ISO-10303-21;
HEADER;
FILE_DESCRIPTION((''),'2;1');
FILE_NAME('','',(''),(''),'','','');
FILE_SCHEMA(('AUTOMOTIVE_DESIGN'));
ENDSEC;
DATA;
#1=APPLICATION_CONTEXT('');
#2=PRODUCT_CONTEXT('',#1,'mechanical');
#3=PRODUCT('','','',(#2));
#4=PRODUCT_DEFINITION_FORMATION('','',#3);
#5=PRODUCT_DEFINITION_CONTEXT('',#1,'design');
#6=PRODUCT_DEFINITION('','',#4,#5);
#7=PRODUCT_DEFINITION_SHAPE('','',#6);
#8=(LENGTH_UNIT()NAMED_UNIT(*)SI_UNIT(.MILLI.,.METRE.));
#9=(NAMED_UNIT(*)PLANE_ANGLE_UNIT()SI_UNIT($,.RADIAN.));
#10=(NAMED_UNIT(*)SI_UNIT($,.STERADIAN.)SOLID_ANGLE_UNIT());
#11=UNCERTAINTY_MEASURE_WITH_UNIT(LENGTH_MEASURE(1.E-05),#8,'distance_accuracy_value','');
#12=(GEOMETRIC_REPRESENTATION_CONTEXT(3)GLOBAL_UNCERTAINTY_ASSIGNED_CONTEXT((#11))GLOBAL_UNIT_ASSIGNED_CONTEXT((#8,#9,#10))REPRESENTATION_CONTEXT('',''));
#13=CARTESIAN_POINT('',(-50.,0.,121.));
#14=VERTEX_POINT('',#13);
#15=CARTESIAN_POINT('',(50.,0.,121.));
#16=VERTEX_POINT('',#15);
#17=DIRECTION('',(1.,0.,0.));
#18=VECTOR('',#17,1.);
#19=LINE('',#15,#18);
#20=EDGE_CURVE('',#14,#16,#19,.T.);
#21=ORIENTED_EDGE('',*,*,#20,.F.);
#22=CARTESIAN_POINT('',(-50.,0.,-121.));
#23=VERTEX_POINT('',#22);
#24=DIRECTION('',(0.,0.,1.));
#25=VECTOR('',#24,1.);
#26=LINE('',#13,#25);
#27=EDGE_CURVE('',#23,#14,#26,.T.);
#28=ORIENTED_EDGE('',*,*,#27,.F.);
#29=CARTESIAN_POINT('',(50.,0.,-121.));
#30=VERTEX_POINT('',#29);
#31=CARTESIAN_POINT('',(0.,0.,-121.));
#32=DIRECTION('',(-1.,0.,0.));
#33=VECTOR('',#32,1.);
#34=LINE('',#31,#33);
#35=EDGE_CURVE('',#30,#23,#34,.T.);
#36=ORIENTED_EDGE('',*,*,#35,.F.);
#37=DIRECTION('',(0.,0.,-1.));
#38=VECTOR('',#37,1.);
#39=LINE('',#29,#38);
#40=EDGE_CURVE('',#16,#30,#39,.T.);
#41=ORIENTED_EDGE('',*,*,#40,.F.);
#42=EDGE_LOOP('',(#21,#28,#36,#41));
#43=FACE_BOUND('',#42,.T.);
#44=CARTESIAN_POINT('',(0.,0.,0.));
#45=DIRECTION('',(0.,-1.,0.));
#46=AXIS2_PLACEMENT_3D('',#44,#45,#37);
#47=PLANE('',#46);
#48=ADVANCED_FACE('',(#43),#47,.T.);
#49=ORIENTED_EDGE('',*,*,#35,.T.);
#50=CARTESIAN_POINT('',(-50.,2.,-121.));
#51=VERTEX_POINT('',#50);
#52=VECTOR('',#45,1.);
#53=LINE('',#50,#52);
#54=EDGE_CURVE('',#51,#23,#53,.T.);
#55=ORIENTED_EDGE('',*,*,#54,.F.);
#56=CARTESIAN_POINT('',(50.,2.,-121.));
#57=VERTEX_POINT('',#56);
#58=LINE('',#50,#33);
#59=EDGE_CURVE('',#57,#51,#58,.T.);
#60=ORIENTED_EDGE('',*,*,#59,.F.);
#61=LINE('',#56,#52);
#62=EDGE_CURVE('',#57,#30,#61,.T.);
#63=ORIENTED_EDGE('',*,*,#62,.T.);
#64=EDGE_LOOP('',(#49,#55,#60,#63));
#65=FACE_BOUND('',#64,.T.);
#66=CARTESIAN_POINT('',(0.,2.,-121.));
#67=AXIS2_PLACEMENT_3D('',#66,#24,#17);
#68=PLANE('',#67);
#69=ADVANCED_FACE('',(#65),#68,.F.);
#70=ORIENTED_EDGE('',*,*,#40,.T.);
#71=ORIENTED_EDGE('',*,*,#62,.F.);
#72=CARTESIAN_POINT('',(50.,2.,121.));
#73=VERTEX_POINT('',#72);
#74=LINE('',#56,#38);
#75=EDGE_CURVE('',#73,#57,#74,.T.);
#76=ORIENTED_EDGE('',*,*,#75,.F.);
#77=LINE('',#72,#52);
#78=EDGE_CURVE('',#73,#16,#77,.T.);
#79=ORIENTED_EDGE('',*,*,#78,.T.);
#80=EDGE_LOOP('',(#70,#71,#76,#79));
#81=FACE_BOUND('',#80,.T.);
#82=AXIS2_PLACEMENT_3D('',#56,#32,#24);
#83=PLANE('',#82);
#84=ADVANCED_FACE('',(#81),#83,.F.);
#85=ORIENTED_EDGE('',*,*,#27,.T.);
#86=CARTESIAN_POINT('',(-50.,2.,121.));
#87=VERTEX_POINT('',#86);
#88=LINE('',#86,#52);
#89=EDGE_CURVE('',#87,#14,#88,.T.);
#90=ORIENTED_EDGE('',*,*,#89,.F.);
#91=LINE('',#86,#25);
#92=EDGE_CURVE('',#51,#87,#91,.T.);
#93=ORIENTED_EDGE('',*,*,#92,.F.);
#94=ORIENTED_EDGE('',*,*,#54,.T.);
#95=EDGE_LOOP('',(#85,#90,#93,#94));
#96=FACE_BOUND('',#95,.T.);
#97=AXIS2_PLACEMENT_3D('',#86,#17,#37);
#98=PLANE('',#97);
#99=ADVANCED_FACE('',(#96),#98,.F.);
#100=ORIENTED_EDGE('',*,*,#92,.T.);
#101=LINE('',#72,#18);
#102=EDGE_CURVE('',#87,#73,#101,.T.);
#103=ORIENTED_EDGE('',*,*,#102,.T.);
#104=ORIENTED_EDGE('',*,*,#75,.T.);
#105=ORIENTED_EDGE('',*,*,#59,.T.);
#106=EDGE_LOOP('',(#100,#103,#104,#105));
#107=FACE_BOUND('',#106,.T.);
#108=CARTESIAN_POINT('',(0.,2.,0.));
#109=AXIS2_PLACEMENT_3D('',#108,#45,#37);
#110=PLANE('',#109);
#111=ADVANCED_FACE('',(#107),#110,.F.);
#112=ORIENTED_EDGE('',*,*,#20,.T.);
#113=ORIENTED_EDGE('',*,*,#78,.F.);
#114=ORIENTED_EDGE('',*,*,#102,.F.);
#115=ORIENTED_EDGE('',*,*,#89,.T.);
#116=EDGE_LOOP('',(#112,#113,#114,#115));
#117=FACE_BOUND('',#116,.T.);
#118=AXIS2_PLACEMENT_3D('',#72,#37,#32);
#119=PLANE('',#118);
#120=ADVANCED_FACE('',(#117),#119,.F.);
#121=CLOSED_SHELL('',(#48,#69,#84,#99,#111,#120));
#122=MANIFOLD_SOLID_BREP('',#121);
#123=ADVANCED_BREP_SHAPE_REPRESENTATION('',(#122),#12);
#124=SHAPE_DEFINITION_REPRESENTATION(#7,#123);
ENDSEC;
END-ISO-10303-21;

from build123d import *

# Parameters (mm, degrees)
EXTRUDE_1_DEPTH = 2


with BuildPart() as part:
    # 草图2 → 凸台-拉伸1 (new body)
    with BuildSketch(Plane(origin=(0, 0, 0), x_dir=(1, 0, 0), z_dir=(0, 1, 0))):
        Polygon((0, 121), (50, 121), (50, -121), (-50, -121), (-50, 121), align=None)
    extrude(amount=EXTRUDE_1_DEPTH)


solid = part.part
